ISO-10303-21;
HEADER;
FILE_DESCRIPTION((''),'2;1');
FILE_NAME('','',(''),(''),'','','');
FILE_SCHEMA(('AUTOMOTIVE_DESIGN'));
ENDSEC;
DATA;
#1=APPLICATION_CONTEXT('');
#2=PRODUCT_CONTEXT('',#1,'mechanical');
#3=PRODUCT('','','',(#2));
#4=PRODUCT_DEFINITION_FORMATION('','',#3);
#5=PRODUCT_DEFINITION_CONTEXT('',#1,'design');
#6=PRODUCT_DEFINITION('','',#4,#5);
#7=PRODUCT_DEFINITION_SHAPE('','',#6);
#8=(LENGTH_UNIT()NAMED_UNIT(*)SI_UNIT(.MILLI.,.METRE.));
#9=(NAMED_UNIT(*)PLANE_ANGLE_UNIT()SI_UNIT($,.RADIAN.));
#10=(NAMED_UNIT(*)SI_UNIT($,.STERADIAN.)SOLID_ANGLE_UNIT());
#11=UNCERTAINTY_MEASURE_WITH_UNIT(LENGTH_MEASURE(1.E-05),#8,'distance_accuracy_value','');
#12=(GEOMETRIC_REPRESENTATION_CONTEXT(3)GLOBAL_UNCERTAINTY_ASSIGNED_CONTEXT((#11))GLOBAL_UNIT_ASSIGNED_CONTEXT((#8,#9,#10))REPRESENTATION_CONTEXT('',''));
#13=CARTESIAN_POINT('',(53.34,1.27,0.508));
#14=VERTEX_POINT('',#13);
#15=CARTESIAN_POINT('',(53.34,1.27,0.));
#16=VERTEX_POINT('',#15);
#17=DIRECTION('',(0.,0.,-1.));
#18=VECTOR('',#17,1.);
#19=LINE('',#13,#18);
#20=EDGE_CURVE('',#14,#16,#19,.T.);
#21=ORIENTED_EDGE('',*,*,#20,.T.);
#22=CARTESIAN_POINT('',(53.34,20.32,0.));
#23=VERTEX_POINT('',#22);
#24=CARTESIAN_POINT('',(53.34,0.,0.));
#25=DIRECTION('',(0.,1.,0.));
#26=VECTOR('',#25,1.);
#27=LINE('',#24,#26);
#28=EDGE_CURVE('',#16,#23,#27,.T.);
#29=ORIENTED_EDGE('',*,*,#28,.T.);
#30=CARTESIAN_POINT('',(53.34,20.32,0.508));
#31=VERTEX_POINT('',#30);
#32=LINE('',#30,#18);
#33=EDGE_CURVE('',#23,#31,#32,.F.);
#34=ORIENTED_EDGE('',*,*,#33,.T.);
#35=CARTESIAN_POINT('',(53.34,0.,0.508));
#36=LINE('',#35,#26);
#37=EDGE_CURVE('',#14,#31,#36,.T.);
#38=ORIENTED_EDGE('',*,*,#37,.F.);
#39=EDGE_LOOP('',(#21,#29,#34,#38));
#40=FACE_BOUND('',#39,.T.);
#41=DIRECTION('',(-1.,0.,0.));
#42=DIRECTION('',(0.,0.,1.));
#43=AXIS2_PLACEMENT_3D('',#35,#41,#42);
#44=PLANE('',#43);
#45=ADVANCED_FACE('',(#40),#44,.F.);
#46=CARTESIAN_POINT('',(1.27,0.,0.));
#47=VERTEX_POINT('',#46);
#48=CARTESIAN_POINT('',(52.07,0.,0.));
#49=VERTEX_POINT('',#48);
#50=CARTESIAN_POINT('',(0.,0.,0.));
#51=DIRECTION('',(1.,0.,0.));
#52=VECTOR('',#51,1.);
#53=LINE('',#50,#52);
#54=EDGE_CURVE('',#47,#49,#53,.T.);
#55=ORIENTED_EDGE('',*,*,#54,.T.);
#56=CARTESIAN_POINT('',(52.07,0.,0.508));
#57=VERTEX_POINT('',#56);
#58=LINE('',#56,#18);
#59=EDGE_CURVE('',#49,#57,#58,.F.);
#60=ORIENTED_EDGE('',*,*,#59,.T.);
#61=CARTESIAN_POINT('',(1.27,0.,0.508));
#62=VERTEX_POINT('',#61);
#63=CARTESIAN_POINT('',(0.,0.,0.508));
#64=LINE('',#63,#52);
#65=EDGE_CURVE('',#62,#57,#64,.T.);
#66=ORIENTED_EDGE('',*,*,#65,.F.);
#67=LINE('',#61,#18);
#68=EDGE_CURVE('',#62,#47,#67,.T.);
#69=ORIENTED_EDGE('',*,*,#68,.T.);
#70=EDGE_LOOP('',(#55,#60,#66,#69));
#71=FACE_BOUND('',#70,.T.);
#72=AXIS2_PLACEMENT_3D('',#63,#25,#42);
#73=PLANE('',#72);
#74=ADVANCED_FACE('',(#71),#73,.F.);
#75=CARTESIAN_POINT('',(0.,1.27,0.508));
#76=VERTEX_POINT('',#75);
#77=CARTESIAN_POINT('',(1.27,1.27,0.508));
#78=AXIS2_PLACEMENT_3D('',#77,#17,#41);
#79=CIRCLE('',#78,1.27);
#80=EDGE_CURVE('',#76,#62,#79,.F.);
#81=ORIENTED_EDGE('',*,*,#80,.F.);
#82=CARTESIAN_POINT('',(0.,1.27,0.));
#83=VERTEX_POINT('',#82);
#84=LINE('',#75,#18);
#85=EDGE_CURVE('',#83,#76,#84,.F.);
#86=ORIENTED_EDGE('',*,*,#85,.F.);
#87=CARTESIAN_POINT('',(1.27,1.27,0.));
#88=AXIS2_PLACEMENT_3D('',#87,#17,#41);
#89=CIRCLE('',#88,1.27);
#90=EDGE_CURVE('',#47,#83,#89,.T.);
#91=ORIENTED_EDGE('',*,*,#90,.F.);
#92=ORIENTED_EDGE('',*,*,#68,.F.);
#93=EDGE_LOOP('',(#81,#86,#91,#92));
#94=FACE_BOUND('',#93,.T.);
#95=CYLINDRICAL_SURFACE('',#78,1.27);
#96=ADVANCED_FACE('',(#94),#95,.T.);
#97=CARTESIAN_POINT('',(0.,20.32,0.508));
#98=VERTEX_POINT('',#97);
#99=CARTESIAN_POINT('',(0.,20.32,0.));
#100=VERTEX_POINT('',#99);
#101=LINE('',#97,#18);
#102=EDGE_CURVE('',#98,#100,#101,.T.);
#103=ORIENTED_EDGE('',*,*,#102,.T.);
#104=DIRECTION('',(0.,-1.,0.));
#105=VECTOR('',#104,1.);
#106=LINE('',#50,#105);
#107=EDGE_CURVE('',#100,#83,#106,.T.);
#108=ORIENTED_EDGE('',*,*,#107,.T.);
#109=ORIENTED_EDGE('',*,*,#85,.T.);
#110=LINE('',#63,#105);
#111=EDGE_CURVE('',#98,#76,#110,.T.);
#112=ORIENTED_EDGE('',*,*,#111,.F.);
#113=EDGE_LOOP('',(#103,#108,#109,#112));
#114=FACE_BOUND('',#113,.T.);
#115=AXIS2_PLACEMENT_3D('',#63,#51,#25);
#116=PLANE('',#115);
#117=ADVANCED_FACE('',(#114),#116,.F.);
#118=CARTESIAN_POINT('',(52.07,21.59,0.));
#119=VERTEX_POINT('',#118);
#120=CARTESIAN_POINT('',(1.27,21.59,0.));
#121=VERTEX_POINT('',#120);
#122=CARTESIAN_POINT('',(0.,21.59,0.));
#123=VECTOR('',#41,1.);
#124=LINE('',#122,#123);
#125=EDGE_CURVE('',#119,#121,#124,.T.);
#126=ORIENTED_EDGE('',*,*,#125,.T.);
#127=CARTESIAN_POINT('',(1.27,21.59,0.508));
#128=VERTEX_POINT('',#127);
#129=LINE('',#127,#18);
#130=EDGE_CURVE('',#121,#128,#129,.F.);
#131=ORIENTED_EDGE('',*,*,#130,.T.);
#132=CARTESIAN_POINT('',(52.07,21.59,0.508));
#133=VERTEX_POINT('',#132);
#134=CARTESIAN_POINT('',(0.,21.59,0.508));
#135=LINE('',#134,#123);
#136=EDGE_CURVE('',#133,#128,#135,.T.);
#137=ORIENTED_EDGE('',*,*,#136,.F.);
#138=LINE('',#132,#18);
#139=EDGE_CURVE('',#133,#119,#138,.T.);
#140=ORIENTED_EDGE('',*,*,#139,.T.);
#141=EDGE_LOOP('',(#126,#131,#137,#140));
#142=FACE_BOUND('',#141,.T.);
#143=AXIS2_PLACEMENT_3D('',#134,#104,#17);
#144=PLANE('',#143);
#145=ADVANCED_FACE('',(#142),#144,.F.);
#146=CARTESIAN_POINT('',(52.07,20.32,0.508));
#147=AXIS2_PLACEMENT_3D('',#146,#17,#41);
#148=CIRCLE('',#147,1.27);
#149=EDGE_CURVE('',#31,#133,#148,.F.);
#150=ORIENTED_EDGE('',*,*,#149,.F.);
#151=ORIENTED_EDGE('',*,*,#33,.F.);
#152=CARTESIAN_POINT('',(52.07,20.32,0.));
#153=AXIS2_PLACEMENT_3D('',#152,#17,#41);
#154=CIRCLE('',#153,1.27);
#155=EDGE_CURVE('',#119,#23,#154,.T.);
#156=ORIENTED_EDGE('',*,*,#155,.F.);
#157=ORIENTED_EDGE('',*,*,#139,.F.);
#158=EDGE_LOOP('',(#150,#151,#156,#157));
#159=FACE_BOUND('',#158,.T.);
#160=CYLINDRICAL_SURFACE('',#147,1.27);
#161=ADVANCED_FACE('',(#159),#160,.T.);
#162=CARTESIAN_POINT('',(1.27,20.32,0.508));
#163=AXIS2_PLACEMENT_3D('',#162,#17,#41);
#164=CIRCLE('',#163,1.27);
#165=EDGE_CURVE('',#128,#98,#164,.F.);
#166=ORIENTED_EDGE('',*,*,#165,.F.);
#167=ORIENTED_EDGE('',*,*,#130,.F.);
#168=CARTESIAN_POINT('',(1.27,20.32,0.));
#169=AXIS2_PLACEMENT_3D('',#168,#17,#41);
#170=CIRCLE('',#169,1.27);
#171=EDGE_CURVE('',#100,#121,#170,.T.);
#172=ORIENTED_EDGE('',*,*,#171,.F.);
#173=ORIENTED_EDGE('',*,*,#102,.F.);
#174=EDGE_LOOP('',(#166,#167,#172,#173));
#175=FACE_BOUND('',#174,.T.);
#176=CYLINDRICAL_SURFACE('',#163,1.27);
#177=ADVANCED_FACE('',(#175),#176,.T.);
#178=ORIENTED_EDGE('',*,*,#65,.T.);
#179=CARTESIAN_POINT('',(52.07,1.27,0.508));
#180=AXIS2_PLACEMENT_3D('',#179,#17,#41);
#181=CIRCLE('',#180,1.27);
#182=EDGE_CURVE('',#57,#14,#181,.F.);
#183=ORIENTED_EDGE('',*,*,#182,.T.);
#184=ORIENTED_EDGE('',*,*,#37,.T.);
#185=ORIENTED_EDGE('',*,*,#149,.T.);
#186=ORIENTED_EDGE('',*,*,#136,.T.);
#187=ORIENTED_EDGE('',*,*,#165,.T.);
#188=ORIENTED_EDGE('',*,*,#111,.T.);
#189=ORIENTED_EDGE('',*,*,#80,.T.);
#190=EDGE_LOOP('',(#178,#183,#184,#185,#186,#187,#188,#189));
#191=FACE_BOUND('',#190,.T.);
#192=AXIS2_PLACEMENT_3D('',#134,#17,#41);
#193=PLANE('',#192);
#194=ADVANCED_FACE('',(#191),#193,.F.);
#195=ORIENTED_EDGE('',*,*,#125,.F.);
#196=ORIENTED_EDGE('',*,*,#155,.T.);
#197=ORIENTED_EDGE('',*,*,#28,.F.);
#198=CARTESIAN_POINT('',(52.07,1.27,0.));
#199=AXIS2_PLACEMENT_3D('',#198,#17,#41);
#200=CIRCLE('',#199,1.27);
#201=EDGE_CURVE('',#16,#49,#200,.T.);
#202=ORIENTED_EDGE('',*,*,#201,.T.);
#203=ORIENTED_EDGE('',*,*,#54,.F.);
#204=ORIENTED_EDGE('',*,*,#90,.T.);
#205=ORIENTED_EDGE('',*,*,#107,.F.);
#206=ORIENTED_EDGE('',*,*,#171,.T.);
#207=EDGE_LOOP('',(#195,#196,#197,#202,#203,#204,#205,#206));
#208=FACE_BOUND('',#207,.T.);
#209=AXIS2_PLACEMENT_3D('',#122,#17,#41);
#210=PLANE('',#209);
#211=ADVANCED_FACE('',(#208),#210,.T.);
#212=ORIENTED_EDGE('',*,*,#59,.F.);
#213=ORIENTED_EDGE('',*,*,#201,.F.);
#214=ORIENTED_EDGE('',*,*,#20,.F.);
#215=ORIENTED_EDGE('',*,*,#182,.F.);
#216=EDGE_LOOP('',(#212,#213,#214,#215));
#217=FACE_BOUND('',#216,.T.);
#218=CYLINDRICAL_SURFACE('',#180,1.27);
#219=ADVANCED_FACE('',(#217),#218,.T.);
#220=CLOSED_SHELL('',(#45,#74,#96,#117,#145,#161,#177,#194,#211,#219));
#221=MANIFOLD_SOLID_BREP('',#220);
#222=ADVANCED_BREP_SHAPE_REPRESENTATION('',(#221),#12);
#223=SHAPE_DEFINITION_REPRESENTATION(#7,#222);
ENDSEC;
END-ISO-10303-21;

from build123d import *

# Parameters (mm, degrees)
SKETCH1_W      = 53.34
SKETCH1_H      = 21.59
EXTRUDE1_DEPTH = 0.508
FILLET1_R      = 1.27


with BuildPart() as part:
    # Sketch1 → Extrude1 (new body)
    with BuildSketch(Plane.XY):
        with Locations((26.67, 10.795)):
            Rectangle(SKETCH1_W, SKETCH1_H)
    extrude(amount=EXTRUDE1_DEPTH)

    # Fillet1
    fillet1_edges = [part.edges().sort_by_distance(p)[0] for p in [
        (0, 21.59, 0.254),
        (53.34, 21.59, 0.254),
        (53.34, 0, 0.254),
        (0, 0, 0.254),
    ]]
    fillet(fillet1_edges, radius=FILLET1_R)


solid = part.part
